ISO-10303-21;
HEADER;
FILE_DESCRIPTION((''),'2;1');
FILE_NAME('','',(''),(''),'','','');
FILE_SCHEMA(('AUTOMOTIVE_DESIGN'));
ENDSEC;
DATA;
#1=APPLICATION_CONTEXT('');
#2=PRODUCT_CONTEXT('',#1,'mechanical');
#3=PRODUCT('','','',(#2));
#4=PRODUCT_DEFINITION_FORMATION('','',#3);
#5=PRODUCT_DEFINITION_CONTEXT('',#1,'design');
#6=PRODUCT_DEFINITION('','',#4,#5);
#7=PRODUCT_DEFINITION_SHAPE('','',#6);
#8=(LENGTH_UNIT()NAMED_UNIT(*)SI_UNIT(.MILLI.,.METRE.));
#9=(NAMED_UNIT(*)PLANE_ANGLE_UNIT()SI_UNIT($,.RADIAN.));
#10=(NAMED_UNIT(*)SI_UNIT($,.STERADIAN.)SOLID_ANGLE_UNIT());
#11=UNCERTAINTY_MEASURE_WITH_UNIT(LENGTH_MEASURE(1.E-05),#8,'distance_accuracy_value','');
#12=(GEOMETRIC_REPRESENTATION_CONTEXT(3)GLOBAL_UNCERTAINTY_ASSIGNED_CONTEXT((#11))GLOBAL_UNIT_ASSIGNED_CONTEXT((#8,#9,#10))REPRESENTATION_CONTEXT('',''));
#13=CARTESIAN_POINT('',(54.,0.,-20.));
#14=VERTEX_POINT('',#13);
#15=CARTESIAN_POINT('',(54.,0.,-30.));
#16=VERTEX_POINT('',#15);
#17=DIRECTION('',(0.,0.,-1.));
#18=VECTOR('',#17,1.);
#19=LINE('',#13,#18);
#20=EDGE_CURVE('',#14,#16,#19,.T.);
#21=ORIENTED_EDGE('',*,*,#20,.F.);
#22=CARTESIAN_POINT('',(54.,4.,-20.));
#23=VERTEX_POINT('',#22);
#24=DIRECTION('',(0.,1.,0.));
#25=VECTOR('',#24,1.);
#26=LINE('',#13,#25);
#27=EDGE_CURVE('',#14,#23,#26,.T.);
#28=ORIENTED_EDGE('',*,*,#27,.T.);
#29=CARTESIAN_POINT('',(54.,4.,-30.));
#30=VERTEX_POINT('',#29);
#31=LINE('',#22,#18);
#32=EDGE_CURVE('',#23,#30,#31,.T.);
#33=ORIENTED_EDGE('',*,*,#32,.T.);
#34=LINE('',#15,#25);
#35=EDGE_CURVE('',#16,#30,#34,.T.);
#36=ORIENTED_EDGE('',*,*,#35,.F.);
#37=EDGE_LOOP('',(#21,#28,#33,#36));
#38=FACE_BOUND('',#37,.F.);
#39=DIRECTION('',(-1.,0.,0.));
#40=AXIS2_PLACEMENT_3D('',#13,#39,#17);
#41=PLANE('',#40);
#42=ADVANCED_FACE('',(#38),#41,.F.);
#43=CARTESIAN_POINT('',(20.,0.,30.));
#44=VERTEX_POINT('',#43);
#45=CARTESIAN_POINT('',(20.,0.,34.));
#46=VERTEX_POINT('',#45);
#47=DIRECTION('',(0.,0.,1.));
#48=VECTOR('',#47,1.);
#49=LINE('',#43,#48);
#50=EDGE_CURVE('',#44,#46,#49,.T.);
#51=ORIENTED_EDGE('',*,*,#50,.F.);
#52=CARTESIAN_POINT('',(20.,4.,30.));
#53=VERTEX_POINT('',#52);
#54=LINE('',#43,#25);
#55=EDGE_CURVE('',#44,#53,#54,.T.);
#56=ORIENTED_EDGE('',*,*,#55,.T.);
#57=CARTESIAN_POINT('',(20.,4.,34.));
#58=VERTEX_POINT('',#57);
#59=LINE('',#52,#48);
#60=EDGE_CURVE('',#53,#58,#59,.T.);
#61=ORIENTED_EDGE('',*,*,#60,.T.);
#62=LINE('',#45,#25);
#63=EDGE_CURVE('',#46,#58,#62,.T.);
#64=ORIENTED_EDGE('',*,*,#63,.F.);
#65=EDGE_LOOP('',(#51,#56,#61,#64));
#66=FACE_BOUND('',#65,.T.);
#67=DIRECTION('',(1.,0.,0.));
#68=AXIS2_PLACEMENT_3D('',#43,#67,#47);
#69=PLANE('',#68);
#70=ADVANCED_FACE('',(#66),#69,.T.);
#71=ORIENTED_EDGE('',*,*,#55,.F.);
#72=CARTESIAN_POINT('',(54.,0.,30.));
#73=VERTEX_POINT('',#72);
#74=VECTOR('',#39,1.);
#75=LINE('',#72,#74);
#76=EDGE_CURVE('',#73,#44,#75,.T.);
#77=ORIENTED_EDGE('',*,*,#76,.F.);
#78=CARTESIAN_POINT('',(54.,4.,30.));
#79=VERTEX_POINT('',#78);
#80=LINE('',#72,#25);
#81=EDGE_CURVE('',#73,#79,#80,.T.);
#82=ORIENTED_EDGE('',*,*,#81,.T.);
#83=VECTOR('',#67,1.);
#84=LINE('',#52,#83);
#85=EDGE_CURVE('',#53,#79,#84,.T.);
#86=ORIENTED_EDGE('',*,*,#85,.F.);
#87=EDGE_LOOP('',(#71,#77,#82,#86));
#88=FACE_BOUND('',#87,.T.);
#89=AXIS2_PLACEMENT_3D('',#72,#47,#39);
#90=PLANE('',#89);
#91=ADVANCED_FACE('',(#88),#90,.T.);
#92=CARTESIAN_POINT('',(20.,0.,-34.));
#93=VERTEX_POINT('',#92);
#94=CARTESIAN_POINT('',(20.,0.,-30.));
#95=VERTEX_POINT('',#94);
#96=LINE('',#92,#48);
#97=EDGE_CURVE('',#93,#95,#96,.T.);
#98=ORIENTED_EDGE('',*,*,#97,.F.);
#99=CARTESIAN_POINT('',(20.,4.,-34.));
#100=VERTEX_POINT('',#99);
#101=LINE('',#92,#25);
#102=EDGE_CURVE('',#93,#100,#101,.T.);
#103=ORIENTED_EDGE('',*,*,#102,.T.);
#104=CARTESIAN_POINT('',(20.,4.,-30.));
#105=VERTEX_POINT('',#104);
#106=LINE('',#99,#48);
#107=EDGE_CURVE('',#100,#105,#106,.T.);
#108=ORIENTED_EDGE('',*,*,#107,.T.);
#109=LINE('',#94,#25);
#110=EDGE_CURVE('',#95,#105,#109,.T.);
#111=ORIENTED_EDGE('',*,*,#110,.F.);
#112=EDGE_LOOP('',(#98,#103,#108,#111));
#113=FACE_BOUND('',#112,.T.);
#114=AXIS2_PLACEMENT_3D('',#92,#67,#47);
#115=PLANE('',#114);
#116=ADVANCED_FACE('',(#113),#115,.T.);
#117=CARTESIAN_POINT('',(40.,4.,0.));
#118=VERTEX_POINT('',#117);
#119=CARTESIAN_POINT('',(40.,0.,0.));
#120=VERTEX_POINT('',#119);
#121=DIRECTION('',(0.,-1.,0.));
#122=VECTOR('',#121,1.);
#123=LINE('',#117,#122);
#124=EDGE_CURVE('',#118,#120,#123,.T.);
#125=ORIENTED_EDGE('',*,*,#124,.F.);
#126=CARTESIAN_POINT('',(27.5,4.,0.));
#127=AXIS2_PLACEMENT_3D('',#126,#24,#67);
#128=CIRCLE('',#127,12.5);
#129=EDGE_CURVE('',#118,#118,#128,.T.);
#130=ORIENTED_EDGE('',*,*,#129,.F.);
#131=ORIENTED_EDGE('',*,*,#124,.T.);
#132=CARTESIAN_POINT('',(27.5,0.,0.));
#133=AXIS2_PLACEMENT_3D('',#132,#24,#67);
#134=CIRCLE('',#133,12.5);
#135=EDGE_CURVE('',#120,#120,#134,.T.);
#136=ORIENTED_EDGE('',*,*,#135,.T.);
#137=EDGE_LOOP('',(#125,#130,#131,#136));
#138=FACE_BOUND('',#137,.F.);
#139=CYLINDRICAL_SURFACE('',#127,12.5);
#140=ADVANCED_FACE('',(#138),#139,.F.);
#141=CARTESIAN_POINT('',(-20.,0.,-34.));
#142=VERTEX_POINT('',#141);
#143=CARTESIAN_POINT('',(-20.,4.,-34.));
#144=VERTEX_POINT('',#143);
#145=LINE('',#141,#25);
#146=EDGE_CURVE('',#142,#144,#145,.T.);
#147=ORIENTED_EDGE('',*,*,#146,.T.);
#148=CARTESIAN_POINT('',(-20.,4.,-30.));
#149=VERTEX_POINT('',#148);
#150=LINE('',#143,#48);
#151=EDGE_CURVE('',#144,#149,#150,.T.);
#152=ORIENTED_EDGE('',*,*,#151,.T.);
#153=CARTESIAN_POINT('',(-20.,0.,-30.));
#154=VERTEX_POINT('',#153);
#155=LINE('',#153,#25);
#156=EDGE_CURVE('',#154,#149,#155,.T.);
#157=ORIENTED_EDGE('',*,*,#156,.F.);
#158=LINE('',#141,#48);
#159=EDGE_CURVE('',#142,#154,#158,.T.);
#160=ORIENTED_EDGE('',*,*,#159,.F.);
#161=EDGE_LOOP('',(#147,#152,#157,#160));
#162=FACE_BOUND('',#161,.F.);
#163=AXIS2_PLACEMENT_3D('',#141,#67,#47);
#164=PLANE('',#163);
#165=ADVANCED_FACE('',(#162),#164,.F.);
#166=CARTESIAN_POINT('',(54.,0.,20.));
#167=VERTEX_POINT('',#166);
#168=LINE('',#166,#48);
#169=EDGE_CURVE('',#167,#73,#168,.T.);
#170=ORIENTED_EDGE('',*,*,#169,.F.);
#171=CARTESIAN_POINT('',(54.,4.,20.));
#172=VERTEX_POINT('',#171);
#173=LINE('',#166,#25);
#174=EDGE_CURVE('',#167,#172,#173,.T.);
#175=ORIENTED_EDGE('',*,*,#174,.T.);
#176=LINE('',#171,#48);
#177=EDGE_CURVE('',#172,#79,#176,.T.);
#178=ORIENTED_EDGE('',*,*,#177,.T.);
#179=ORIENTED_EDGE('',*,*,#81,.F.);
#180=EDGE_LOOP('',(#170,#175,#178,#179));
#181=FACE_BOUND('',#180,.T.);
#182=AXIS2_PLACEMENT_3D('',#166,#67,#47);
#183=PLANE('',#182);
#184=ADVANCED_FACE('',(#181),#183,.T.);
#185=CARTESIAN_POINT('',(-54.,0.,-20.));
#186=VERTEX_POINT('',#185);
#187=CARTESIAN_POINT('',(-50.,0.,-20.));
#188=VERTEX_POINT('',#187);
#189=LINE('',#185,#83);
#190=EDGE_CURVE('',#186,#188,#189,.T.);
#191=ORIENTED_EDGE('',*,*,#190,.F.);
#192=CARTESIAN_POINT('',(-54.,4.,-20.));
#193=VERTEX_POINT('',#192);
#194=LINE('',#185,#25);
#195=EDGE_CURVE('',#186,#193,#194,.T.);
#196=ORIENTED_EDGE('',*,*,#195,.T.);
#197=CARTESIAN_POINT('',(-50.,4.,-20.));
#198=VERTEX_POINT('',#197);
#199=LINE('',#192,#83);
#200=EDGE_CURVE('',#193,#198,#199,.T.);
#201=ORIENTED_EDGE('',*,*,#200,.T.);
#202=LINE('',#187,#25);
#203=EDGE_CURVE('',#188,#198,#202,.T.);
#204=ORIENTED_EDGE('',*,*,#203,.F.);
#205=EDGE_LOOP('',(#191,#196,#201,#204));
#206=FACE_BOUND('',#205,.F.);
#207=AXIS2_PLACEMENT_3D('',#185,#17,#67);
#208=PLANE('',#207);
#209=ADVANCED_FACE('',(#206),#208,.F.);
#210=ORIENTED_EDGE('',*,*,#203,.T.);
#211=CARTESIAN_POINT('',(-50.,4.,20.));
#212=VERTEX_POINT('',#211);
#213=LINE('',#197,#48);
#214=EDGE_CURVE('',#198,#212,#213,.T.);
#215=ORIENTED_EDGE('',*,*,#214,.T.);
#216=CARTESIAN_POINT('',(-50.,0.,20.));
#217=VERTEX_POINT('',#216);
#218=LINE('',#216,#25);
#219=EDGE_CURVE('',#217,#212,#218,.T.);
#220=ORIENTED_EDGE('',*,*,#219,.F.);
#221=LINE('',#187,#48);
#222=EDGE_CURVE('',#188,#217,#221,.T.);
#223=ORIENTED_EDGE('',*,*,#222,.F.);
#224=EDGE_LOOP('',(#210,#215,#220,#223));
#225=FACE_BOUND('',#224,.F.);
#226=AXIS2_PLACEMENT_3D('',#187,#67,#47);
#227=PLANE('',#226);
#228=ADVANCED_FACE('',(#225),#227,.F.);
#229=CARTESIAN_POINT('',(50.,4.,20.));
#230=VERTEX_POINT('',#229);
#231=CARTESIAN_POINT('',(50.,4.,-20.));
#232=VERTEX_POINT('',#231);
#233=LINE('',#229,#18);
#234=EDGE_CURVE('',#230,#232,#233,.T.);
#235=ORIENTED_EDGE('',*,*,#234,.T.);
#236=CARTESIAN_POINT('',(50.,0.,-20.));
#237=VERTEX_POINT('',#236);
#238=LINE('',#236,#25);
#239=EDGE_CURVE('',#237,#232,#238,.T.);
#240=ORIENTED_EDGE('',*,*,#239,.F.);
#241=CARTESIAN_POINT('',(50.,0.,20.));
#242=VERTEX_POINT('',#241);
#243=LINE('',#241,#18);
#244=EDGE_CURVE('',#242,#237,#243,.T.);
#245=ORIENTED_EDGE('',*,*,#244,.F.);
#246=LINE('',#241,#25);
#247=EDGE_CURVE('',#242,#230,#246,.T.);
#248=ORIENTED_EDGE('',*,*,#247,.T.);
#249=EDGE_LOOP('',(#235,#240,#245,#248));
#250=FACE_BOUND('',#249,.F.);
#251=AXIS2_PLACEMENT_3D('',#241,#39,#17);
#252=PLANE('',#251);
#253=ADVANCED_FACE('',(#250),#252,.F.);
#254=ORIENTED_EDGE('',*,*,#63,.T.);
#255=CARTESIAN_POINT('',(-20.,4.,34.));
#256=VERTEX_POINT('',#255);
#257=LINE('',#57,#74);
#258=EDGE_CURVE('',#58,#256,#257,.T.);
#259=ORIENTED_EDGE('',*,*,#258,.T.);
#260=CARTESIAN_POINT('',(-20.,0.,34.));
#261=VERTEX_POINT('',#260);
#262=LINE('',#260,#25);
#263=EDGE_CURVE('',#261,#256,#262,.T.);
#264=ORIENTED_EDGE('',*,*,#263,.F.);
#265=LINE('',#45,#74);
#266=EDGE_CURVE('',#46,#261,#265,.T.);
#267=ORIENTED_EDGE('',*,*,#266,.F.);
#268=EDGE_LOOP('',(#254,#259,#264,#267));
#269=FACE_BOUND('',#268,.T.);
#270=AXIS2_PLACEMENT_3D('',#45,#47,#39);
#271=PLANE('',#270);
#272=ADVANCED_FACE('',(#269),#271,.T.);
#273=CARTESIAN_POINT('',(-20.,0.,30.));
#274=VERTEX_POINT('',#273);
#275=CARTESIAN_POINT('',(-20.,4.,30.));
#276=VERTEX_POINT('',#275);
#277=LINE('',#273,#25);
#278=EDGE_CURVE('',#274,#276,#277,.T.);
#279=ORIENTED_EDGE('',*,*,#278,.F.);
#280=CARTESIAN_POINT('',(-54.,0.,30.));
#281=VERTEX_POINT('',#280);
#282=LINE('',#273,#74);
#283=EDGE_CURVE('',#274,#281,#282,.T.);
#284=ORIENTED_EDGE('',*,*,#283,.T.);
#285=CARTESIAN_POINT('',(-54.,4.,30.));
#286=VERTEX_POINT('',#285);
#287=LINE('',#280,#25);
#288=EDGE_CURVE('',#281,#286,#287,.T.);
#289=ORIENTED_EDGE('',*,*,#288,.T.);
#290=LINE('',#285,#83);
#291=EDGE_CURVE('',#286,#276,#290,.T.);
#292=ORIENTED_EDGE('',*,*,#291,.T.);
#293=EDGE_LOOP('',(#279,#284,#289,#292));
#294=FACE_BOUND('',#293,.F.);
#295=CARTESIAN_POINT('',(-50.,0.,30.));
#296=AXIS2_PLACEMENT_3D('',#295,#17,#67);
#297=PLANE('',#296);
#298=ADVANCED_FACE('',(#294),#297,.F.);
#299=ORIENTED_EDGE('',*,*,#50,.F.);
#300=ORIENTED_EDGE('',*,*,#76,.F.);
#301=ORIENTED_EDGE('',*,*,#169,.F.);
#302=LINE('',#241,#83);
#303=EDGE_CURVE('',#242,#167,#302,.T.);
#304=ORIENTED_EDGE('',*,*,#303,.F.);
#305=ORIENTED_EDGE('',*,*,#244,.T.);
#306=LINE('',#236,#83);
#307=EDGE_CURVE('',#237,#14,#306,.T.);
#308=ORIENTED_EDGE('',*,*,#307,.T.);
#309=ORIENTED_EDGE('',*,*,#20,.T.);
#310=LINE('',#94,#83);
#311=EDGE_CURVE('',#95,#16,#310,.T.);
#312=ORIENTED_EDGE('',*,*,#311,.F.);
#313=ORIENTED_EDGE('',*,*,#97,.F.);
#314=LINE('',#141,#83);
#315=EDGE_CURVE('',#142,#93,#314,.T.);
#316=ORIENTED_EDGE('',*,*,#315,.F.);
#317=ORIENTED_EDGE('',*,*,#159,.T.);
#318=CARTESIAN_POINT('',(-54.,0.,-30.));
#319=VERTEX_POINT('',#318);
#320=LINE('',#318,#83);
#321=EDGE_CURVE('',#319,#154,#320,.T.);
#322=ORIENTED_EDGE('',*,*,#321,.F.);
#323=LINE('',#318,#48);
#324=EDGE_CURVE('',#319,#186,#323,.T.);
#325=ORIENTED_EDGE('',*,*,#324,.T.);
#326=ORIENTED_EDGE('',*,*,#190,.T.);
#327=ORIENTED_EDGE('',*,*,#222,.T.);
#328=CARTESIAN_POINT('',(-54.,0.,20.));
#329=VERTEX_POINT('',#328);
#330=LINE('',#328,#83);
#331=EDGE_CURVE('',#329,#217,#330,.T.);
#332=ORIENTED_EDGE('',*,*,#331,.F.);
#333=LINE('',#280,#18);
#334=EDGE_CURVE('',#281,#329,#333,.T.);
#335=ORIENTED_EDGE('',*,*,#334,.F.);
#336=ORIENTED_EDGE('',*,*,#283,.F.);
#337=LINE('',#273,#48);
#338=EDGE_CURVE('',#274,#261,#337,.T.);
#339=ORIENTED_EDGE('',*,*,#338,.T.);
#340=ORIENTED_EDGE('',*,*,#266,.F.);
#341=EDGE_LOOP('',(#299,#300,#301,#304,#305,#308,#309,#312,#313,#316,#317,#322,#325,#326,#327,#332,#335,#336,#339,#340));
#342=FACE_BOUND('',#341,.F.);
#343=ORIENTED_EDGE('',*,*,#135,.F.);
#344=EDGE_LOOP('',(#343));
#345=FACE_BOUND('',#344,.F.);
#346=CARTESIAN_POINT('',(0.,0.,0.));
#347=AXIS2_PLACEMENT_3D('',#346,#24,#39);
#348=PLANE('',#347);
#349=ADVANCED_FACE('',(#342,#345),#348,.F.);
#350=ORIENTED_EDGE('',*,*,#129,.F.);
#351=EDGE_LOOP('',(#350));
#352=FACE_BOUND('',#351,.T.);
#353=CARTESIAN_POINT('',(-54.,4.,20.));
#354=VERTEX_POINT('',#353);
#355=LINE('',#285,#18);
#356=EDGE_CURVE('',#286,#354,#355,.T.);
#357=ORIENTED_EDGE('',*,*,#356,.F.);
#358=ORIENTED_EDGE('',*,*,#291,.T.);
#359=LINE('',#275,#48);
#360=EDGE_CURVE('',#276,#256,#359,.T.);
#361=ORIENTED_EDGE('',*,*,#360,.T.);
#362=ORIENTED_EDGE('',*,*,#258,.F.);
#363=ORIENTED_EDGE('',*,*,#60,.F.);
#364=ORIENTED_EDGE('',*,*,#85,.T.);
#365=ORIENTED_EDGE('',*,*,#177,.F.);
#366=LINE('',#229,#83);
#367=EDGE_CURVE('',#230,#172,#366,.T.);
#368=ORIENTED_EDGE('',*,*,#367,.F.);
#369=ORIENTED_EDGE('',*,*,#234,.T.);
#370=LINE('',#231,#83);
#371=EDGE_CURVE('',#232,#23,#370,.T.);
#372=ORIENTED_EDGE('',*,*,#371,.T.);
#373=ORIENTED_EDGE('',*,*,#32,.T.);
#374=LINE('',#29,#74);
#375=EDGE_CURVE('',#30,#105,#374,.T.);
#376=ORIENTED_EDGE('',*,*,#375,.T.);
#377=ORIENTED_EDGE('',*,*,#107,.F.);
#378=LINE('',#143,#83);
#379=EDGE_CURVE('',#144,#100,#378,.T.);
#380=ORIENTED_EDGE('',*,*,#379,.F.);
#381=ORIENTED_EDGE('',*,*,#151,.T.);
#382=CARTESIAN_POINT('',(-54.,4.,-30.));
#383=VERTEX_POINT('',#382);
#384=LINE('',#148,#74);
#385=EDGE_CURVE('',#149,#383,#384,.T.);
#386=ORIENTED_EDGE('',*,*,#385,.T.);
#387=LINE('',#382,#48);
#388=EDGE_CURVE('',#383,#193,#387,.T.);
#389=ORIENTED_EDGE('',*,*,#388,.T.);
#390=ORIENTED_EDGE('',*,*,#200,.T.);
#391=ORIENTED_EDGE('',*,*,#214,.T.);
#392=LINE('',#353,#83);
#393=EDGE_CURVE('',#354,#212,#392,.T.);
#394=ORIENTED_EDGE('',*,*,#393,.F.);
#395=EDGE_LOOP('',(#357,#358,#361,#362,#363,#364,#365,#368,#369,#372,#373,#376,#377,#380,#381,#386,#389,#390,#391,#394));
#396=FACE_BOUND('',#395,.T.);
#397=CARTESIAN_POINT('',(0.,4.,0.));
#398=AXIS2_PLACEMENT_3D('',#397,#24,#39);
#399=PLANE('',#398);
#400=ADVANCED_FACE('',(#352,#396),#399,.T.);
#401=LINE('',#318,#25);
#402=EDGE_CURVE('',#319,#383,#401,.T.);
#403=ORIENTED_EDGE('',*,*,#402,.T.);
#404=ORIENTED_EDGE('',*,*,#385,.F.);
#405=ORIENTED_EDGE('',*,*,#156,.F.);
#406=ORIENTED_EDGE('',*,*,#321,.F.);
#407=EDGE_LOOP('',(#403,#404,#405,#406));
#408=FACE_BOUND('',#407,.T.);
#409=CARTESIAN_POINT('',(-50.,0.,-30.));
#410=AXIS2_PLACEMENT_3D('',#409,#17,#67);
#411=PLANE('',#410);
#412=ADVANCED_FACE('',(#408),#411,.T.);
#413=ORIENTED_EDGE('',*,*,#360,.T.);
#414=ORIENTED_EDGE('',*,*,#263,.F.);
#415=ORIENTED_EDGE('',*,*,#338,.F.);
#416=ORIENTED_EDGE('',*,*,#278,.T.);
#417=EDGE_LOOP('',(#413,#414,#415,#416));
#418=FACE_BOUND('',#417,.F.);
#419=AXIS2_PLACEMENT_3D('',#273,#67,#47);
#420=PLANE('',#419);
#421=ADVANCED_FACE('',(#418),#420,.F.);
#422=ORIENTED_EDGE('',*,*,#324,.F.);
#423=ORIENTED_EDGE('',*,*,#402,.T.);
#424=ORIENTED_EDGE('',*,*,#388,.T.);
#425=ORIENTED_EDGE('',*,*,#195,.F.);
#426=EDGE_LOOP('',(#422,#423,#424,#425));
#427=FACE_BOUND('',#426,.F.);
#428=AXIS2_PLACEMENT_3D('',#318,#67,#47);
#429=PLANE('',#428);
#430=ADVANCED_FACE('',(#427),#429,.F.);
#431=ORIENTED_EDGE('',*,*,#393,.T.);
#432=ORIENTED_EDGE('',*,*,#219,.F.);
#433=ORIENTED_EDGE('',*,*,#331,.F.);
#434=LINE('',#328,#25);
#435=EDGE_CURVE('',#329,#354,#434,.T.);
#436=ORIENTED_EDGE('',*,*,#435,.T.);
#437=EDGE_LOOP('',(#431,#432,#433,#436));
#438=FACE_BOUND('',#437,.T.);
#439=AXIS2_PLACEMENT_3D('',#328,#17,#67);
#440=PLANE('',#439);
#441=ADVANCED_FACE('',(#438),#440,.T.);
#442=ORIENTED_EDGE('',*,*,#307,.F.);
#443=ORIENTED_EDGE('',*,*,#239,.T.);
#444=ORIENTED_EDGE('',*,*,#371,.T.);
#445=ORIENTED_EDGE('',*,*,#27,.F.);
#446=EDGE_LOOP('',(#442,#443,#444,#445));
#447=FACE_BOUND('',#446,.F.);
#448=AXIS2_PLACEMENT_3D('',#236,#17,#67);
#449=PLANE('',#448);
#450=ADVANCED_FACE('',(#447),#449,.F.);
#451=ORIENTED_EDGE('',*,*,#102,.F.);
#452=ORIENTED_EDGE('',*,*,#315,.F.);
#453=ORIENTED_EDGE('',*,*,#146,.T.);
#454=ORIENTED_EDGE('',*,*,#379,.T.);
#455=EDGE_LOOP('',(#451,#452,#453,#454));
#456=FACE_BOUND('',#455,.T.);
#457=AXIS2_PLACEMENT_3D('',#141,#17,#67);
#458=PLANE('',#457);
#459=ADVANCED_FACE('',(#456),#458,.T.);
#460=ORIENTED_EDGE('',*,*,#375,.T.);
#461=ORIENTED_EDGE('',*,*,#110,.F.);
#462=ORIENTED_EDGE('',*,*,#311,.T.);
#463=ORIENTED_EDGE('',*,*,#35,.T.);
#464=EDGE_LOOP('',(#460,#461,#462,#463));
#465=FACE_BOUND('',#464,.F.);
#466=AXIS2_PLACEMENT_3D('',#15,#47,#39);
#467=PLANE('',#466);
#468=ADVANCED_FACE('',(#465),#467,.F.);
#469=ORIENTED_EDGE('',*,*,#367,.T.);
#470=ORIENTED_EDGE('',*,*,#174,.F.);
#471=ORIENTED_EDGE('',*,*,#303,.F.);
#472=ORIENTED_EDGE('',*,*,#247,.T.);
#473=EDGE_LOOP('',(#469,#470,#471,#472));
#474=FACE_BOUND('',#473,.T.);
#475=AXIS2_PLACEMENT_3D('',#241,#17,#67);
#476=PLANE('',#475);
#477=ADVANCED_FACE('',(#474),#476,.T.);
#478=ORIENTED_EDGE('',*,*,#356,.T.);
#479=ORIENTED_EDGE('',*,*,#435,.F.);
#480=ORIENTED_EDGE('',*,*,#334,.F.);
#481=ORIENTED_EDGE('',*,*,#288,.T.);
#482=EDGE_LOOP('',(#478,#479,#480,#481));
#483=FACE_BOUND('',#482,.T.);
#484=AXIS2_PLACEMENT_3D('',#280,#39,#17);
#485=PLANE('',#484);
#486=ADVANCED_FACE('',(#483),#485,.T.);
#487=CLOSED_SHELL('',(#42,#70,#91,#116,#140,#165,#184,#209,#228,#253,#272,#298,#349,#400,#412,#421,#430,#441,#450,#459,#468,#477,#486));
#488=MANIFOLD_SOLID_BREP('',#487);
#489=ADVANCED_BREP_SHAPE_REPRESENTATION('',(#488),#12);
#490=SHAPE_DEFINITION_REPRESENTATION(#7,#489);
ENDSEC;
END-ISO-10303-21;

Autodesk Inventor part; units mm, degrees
ref_plane "YZ Plane" through (0, 0, 0) normal (1, 0, 0) x (0, 1, 0)
ref_plane "XZ Plane" through (0, 0, 0) normal (0, 1, 0) x (-1, 0, 0)
ref_plane "XY Plane" through (0, 0, 0) normal (0, 0, 1) x (1, 0, 0)
sketch "Sketch1" plane through (0, 0, 0) normal (0, 1, 0) x (-1, 0, 0)
  line L0 (50, 30) -> (-50, 30) construction
  line L1 (-50, 30) -> (-50, -30) construction
  line L2 (-50, -30) -> (50, -30) construction
  line L3 (50, -30) -> (50, 30) construction
  line L4 (-50, -20) -> (-54, -20)
  line L5 (-54, -20) -> (-54, -30)
  line L6 (-54, -30) -> (-50, -30)
  line L7 (-50, -30) -> (-50, -20) construction
  line L8 (-50, 20) -> (-54, 20)
  line L9 (-54, 20) -> (-54, 30)
  line L10 (-54, 30) -> (-50, 30)
  line L11 (-50, 30) -> (-50, 20) construction
  line L12 (50, 30) -> (54, 30)
  line L13 (54, 30) -> (54, 20)
  line L14 (54, 20) -> (50, 20)
  line L15 (50, 20) -> (50, 30) construction
  line L16 (50, -30) -> (54, -30)
  line L17 (54, -30) -> (54, -20)
  line L18 (54, -20) -> (50, -20)
  line L19 (50, -20) -> (50, -30) construction
  line L20 (20, -30) -> (50, -30) construction
  line L21 (50, -30) -> (50, -34) construction
  line L22 (50, -34) -> (20, -34) construction
  line L23 (20, -34) -> (20, -30)
  line L24 (-20, -30) -> (-50, -30) construction
  line L25 (-50, -30) -> (-50, -34) construction
  line L26 (-50, -34) -> (-20, -34) construction
  line L27 (-20, -34) -> (-20, -30)
  line L28 (-50, 30) -> (-20, 30)
  line L29 (-20, 30) -> (-20, 34)
  line L30 (-20, 34) -> (-50, 34) construction
  line L31 (-50, 34) -> (-50, 30) construction
  line L32 (20, 34) -> (50, 34) construction
  line L33 (50, 34) -> (50, 30) construction
  line L34 (50, 30) -> (20, 30)
  line L35 (20, 30) -> (20, 34)
  line L36 (20, -30) -> (-20, -30) construction
  line L37 (-50, 20) -> (-50, -20)
  line L38 (50, -20) -> (50, 20)
  line L39 (20, 30) -> (-20, 30) construction
  line L40 (50, -30) -> (20, -30)
  line L41 (20, -34) -> (-20, -34)
  line L42 (-20, -30) -> (-50, -30)
  line L43 (-20, 34) -> (20, 34)
  line L44 (20, 30) -> (50, 30)
  point P0 (0, 0)
  point P1 (52, 20)
  point P2 (52, -20)
  point P3 (-20, -32)
  point P4 (20, -32)
  point P5 (0, -30)
  point P6 (50, 0)
  dimension "d0" = 100
  dimension "d1" = 60
  dimension "d2" = 4
  dimension "d3" = 40
  dimension "d4" = 40
extrude "Extrusion1" add sketch "Sketch1" along normal blind 4
sketch "Sketch2" plane through (0, 4, 0) normal (0, 1, 0) x (1, 0, 0)
  circle A0 centre (27.5, 0) radius 12.5
  line L0 (50, -20) -> (50, 20) projected
  point P0 (0, 0)
  dimension "d7" = 25
  dimension "d8" = 10
extrude "Extrusion2" cut sketch "Sketch2" against normal blind 4
properties part number "SideFemale_100wx60h" material "Wood (Oak)"
